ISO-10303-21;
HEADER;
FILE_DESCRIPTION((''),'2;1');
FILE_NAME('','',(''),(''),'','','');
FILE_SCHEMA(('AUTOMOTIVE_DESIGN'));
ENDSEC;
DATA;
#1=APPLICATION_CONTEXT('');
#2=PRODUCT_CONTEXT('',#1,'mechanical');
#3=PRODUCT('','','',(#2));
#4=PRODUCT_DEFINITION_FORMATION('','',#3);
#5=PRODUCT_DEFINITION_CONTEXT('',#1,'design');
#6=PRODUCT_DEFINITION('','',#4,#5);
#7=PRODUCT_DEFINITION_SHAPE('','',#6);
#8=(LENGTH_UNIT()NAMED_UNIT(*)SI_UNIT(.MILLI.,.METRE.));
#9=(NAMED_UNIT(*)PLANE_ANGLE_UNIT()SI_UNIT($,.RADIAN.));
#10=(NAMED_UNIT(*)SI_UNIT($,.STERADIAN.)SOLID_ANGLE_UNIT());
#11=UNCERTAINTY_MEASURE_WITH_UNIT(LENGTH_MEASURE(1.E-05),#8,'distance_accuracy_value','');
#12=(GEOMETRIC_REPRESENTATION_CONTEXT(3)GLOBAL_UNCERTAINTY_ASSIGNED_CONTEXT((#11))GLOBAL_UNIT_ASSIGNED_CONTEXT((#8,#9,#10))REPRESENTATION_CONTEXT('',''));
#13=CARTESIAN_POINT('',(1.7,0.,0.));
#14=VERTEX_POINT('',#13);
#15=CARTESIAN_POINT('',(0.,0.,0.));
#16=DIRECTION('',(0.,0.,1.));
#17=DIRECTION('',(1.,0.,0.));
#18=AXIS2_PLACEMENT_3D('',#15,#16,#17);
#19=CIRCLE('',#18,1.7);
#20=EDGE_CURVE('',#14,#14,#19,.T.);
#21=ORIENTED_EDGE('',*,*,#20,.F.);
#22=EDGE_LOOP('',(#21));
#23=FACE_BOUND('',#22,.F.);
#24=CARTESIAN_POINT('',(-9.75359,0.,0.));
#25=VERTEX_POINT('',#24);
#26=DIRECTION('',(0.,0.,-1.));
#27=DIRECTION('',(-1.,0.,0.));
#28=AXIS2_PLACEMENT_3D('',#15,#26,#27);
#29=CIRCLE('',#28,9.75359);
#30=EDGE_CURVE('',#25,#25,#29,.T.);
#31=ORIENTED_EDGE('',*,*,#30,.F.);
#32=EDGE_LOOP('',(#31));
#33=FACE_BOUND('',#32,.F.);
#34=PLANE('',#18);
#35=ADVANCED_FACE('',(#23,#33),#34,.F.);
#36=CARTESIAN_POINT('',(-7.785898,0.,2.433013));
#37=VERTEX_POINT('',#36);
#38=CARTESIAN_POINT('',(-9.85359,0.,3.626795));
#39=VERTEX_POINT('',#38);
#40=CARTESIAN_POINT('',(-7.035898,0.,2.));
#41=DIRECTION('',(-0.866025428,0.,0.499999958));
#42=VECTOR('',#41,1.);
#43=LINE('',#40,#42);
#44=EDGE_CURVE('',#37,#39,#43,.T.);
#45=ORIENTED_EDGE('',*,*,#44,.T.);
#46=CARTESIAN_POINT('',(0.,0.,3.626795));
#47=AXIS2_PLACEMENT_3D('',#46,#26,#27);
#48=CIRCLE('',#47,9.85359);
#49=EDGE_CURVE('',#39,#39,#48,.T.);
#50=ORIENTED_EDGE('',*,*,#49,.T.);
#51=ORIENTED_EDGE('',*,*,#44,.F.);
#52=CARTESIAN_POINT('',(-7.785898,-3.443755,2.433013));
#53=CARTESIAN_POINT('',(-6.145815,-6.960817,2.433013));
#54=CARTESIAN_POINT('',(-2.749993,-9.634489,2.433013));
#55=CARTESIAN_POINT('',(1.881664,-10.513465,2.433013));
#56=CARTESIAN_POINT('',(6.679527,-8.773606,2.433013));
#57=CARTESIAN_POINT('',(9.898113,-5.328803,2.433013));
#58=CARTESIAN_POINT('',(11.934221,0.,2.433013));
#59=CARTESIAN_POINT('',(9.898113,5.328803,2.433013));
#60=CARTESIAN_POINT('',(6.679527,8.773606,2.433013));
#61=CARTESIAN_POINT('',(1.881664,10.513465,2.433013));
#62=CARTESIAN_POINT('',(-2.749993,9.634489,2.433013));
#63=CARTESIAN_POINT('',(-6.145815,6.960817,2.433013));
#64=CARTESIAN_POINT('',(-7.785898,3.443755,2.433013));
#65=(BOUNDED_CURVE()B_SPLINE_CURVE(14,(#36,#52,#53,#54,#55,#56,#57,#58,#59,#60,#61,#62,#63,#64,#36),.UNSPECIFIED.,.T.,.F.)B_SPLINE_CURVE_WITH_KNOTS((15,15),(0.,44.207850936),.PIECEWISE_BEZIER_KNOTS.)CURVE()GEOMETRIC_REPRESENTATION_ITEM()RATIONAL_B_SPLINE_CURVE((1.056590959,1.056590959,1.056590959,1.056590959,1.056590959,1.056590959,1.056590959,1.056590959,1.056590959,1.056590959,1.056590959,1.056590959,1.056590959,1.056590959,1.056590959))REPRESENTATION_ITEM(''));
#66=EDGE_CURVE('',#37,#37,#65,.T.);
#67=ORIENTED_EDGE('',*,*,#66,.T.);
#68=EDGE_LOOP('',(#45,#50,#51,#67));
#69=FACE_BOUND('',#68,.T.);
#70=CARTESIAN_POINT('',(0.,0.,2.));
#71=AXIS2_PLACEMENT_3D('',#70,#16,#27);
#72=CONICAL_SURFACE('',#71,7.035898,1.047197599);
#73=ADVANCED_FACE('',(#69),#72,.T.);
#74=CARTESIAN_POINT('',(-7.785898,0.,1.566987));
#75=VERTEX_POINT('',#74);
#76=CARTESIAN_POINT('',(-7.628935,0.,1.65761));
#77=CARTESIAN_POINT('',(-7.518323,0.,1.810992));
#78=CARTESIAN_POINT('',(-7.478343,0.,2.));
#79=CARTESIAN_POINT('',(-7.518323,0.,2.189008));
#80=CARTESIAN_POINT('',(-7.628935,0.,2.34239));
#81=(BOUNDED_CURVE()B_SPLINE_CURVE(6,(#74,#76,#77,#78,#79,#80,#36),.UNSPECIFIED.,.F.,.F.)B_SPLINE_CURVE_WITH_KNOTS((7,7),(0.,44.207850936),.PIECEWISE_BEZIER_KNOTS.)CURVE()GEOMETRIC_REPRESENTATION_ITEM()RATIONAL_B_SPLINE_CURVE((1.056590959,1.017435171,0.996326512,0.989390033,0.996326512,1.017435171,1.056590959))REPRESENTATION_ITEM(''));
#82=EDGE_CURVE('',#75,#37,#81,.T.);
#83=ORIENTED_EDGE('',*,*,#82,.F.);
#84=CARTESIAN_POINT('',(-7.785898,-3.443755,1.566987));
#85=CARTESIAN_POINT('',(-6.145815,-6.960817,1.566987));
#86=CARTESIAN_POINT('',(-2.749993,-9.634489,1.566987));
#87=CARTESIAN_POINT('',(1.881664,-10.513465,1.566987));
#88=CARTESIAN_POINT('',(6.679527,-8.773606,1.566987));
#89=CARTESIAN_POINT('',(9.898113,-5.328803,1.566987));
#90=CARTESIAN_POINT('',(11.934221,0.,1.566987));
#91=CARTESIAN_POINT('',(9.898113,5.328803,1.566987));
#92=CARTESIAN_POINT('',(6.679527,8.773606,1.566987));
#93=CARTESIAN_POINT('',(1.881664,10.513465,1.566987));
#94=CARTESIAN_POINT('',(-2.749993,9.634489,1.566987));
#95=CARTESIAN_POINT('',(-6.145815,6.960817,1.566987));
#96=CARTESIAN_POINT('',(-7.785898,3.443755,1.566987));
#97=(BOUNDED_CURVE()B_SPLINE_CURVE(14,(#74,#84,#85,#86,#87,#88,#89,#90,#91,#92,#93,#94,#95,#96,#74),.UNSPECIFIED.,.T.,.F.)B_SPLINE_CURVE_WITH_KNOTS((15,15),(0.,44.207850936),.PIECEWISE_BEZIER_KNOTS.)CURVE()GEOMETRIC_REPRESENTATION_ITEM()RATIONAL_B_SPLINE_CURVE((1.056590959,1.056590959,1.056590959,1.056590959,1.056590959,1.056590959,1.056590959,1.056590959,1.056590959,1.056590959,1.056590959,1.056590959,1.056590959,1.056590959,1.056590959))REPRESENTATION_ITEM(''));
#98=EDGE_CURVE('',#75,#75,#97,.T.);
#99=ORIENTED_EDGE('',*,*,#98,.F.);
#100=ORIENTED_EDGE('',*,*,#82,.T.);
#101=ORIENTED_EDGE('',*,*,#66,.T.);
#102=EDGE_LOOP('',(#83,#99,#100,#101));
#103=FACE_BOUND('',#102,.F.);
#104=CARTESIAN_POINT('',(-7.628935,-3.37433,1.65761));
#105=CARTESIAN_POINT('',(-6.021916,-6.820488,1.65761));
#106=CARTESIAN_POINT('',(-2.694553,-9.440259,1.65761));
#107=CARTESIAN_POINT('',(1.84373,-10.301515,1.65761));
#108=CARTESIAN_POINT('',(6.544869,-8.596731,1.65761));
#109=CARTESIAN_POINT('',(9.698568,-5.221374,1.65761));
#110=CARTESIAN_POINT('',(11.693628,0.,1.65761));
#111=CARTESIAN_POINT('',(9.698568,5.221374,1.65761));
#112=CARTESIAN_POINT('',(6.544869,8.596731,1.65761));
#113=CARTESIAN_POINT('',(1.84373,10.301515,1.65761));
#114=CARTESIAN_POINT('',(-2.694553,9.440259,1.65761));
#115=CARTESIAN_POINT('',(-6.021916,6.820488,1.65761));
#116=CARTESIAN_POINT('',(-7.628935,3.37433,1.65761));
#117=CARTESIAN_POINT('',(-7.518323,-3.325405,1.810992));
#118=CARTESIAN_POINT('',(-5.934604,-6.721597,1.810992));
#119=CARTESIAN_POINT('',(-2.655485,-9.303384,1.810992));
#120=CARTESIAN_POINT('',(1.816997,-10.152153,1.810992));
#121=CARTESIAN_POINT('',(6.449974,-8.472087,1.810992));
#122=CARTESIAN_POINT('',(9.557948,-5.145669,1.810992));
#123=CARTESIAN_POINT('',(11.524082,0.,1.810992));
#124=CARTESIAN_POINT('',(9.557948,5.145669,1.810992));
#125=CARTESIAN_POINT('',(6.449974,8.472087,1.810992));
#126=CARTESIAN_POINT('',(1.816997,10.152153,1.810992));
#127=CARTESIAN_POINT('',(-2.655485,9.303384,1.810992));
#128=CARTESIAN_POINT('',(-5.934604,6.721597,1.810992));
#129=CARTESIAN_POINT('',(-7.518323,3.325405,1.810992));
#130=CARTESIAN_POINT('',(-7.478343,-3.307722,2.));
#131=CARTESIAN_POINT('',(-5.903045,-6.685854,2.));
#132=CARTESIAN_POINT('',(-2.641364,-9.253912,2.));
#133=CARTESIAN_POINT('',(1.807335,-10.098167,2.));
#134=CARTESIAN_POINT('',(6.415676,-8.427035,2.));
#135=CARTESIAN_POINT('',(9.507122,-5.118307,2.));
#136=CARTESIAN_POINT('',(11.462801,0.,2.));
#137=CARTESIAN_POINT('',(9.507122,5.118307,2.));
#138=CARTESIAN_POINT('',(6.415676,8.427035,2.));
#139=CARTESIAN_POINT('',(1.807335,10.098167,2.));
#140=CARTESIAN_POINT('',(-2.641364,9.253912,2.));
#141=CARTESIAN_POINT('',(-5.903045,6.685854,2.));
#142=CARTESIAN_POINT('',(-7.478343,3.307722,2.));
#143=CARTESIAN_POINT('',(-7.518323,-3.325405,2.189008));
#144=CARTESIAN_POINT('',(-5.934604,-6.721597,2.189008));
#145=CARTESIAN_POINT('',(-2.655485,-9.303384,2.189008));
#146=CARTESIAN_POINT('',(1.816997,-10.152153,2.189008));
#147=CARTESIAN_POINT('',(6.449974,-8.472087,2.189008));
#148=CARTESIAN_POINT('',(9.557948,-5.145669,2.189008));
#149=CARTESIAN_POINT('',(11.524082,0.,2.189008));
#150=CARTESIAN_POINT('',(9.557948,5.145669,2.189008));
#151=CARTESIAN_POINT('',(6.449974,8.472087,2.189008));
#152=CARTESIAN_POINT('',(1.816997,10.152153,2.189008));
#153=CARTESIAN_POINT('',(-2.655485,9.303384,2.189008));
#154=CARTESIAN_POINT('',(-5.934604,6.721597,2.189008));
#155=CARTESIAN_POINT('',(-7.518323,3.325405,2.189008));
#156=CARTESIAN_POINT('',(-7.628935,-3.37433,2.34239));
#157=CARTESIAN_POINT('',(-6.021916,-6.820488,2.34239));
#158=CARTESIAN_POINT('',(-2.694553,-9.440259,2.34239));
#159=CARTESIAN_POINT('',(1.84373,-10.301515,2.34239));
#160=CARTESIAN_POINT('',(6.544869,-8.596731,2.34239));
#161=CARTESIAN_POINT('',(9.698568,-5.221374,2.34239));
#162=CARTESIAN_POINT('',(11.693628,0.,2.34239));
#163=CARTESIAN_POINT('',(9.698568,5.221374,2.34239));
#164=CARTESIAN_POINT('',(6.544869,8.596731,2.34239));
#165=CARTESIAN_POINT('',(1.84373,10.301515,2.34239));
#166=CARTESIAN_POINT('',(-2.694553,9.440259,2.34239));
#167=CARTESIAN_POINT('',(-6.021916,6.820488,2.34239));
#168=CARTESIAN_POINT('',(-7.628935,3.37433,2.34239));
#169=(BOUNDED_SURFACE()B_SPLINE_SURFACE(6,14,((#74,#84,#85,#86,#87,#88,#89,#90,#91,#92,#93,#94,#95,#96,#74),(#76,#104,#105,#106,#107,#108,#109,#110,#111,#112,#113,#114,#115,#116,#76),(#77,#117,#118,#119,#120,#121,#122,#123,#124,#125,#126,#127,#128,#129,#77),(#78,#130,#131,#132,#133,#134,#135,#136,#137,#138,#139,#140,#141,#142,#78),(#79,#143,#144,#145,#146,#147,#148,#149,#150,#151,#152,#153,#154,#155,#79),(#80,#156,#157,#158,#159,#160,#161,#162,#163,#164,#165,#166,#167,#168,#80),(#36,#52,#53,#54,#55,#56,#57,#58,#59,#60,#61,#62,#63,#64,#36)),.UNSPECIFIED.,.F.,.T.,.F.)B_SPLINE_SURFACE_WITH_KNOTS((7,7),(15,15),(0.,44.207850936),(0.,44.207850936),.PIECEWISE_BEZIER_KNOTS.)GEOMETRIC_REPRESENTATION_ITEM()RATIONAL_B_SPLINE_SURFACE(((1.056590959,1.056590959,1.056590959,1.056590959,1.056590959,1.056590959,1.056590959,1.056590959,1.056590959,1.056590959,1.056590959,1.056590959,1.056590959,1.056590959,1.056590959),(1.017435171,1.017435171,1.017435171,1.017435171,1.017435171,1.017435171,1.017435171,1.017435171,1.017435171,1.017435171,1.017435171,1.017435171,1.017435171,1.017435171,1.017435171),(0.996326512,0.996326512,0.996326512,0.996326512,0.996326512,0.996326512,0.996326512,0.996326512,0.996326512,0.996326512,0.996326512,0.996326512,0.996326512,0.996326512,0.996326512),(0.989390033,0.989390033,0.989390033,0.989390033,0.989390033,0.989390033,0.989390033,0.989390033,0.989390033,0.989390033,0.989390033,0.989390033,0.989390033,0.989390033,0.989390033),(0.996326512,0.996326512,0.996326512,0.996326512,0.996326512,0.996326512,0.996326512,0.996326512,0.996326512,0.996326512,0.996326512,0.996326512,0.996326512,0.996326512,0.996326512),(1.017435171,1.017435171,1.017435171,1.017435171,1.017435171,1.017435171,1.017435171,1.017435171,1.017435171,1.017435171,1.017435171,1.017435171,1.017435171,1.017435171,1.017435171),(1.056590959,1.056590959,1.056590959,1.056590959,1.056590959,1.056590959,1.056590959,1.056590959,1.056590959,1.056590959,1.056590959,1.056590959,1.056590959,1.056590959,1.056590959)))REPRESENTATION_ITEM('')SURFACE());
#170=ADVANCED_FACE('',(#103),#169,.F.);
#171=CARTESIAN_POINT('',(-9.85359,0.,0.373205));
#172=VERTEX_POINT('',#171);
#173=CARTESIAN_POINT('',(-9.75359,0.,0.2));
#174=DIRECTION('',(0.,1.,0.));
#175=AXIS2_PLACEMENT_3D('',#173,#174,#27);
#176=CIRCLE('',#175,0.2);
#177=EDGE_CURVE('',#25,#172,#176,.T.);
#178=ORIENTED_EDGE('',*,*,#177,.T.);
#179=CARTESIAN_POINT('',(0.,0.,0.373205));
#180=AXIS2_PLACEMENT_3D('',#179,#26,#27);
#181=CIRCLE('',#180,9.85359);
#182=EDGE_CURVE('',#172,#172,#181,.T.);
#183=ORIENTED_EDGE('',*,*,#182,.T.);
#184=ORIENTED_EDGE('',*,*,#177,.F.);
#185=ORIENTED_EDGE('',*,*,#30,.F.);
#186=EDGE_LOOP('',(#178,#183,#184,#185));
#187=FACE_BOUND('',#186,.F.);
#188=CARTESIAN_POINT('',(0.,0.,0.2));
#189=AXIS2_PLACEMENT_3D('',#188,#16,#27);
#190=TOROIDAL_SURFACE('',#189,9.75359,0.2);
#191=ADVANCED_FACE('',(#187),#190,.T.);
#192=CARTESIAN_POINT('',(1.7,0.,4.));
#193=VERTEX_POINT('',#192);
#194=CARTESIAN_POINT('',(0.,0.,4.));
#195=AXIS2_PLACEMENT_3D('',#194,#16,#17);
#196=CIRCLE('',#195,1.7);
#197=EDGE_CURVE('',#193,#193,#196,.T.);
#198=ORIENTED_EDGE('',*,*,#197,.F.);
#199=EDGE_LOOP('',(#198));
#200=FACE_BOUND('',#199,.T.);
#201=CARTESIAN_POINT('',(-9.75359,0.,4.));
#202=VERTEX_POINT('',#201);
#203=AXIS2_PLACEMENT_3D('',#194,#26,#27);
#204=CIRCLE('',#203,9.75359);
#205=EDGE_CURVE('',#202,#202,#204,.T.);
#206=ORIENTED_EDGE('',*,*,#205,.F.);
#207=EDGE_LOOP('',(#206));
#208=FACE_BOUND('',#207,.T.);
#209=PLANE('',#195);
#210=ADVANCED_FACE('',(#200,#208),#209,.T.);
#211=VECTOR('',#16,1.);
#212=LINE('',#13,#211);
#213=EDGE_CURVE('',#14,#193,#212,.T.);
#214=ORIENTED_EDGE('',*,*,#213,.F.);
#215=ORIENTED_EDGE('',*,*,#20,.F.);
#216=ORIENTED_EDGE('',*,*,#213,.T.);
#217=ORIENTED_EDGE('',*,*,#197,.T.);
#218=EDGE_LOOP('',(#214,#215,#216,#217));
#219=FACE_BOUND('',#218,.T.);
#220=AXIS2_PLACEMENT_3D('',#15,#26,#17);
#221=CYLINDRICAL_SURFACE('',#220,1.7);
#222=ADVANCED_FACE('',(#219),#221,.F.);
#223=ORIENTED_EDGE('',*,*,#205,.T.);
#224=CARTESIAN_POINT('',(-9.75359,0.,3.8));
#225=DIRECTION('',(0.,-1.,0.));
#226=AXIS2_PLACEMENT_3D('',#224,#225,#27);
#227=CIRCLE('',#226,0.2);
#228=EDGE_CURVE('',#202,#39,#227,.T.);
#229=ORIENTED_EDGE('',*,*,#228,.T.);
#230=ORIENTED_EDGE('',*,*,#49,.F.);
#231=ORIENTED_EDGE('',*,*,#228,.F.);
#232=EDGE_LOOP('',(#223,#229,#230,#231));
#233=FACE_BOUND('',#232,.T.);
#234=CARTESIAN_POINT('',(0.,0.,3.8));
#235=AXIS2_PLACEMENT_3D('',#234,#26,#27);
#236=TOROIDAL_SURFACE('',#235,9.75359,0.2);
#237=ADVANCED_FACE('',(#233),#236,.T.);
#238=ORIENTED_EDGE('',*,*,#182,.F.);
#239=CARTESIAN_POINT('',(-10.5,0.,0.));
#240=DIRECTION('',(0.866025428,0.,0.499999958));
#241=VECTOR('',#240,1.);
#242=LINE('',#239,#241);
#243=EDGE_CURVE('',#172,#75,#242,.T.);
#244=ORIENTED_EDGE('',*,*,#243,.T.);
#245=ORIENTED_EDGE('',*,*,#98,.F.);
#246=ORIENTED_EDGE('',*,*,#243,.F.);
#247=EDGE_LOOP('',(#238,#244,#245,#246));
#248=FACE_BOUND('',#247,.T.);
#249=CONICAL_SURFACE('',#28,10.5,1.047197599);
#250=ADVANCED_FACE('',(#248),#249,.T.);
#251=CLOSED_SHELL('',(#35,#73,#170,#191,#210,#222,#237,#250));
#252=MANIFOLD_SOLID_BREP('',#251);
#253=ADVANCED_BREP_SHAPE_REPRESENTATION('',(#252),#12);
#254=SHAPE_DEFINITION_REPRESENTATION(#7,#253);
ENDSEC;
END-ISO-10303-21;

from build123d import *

# Parameters (mm, degrees)
F0_R     = 10.5
F0_R_2   = 1.7
F1_DEPTH = 4
F4_R     = 0.2
F5_R     = 0.5


with BuildPart() as f1:
    # F0 (on Top) → F1 (new body)
    with BuildSketch(Plane.XY):
        Circle(F0_R)
        Circle(F0_R_2, mode=Mode.SUBTRACT)
    extrude(amount=F1_DEPTH)

    # F2 (on Front) → F3 (revolve, cut)
    with BuildSketch(Plane.XZ):
        Polygon((-10.5, 4), (-10.5, 0), (-7.035898, 2), align=None)
    revolve(axis=Axis((0, 0, 4), (0, 0, 1)), mode=Mode.SUBTRACT)

    # F4
    f4_edges = [f1.edges().sort_by_distance(p)[0] for p in [
        (10.5, 0, 4),
        (10.5, 0, 0),
    ]]
    fillet(f4_edges, radius=F4_R)

    # F5
    f5_edges = [f1.edges().sort_by_distance(p)[0] for p in [
        (7.035898, 0, 2),
    ]]
    fillet(f5_edges, radius=F5_R)


solid = f1.part
